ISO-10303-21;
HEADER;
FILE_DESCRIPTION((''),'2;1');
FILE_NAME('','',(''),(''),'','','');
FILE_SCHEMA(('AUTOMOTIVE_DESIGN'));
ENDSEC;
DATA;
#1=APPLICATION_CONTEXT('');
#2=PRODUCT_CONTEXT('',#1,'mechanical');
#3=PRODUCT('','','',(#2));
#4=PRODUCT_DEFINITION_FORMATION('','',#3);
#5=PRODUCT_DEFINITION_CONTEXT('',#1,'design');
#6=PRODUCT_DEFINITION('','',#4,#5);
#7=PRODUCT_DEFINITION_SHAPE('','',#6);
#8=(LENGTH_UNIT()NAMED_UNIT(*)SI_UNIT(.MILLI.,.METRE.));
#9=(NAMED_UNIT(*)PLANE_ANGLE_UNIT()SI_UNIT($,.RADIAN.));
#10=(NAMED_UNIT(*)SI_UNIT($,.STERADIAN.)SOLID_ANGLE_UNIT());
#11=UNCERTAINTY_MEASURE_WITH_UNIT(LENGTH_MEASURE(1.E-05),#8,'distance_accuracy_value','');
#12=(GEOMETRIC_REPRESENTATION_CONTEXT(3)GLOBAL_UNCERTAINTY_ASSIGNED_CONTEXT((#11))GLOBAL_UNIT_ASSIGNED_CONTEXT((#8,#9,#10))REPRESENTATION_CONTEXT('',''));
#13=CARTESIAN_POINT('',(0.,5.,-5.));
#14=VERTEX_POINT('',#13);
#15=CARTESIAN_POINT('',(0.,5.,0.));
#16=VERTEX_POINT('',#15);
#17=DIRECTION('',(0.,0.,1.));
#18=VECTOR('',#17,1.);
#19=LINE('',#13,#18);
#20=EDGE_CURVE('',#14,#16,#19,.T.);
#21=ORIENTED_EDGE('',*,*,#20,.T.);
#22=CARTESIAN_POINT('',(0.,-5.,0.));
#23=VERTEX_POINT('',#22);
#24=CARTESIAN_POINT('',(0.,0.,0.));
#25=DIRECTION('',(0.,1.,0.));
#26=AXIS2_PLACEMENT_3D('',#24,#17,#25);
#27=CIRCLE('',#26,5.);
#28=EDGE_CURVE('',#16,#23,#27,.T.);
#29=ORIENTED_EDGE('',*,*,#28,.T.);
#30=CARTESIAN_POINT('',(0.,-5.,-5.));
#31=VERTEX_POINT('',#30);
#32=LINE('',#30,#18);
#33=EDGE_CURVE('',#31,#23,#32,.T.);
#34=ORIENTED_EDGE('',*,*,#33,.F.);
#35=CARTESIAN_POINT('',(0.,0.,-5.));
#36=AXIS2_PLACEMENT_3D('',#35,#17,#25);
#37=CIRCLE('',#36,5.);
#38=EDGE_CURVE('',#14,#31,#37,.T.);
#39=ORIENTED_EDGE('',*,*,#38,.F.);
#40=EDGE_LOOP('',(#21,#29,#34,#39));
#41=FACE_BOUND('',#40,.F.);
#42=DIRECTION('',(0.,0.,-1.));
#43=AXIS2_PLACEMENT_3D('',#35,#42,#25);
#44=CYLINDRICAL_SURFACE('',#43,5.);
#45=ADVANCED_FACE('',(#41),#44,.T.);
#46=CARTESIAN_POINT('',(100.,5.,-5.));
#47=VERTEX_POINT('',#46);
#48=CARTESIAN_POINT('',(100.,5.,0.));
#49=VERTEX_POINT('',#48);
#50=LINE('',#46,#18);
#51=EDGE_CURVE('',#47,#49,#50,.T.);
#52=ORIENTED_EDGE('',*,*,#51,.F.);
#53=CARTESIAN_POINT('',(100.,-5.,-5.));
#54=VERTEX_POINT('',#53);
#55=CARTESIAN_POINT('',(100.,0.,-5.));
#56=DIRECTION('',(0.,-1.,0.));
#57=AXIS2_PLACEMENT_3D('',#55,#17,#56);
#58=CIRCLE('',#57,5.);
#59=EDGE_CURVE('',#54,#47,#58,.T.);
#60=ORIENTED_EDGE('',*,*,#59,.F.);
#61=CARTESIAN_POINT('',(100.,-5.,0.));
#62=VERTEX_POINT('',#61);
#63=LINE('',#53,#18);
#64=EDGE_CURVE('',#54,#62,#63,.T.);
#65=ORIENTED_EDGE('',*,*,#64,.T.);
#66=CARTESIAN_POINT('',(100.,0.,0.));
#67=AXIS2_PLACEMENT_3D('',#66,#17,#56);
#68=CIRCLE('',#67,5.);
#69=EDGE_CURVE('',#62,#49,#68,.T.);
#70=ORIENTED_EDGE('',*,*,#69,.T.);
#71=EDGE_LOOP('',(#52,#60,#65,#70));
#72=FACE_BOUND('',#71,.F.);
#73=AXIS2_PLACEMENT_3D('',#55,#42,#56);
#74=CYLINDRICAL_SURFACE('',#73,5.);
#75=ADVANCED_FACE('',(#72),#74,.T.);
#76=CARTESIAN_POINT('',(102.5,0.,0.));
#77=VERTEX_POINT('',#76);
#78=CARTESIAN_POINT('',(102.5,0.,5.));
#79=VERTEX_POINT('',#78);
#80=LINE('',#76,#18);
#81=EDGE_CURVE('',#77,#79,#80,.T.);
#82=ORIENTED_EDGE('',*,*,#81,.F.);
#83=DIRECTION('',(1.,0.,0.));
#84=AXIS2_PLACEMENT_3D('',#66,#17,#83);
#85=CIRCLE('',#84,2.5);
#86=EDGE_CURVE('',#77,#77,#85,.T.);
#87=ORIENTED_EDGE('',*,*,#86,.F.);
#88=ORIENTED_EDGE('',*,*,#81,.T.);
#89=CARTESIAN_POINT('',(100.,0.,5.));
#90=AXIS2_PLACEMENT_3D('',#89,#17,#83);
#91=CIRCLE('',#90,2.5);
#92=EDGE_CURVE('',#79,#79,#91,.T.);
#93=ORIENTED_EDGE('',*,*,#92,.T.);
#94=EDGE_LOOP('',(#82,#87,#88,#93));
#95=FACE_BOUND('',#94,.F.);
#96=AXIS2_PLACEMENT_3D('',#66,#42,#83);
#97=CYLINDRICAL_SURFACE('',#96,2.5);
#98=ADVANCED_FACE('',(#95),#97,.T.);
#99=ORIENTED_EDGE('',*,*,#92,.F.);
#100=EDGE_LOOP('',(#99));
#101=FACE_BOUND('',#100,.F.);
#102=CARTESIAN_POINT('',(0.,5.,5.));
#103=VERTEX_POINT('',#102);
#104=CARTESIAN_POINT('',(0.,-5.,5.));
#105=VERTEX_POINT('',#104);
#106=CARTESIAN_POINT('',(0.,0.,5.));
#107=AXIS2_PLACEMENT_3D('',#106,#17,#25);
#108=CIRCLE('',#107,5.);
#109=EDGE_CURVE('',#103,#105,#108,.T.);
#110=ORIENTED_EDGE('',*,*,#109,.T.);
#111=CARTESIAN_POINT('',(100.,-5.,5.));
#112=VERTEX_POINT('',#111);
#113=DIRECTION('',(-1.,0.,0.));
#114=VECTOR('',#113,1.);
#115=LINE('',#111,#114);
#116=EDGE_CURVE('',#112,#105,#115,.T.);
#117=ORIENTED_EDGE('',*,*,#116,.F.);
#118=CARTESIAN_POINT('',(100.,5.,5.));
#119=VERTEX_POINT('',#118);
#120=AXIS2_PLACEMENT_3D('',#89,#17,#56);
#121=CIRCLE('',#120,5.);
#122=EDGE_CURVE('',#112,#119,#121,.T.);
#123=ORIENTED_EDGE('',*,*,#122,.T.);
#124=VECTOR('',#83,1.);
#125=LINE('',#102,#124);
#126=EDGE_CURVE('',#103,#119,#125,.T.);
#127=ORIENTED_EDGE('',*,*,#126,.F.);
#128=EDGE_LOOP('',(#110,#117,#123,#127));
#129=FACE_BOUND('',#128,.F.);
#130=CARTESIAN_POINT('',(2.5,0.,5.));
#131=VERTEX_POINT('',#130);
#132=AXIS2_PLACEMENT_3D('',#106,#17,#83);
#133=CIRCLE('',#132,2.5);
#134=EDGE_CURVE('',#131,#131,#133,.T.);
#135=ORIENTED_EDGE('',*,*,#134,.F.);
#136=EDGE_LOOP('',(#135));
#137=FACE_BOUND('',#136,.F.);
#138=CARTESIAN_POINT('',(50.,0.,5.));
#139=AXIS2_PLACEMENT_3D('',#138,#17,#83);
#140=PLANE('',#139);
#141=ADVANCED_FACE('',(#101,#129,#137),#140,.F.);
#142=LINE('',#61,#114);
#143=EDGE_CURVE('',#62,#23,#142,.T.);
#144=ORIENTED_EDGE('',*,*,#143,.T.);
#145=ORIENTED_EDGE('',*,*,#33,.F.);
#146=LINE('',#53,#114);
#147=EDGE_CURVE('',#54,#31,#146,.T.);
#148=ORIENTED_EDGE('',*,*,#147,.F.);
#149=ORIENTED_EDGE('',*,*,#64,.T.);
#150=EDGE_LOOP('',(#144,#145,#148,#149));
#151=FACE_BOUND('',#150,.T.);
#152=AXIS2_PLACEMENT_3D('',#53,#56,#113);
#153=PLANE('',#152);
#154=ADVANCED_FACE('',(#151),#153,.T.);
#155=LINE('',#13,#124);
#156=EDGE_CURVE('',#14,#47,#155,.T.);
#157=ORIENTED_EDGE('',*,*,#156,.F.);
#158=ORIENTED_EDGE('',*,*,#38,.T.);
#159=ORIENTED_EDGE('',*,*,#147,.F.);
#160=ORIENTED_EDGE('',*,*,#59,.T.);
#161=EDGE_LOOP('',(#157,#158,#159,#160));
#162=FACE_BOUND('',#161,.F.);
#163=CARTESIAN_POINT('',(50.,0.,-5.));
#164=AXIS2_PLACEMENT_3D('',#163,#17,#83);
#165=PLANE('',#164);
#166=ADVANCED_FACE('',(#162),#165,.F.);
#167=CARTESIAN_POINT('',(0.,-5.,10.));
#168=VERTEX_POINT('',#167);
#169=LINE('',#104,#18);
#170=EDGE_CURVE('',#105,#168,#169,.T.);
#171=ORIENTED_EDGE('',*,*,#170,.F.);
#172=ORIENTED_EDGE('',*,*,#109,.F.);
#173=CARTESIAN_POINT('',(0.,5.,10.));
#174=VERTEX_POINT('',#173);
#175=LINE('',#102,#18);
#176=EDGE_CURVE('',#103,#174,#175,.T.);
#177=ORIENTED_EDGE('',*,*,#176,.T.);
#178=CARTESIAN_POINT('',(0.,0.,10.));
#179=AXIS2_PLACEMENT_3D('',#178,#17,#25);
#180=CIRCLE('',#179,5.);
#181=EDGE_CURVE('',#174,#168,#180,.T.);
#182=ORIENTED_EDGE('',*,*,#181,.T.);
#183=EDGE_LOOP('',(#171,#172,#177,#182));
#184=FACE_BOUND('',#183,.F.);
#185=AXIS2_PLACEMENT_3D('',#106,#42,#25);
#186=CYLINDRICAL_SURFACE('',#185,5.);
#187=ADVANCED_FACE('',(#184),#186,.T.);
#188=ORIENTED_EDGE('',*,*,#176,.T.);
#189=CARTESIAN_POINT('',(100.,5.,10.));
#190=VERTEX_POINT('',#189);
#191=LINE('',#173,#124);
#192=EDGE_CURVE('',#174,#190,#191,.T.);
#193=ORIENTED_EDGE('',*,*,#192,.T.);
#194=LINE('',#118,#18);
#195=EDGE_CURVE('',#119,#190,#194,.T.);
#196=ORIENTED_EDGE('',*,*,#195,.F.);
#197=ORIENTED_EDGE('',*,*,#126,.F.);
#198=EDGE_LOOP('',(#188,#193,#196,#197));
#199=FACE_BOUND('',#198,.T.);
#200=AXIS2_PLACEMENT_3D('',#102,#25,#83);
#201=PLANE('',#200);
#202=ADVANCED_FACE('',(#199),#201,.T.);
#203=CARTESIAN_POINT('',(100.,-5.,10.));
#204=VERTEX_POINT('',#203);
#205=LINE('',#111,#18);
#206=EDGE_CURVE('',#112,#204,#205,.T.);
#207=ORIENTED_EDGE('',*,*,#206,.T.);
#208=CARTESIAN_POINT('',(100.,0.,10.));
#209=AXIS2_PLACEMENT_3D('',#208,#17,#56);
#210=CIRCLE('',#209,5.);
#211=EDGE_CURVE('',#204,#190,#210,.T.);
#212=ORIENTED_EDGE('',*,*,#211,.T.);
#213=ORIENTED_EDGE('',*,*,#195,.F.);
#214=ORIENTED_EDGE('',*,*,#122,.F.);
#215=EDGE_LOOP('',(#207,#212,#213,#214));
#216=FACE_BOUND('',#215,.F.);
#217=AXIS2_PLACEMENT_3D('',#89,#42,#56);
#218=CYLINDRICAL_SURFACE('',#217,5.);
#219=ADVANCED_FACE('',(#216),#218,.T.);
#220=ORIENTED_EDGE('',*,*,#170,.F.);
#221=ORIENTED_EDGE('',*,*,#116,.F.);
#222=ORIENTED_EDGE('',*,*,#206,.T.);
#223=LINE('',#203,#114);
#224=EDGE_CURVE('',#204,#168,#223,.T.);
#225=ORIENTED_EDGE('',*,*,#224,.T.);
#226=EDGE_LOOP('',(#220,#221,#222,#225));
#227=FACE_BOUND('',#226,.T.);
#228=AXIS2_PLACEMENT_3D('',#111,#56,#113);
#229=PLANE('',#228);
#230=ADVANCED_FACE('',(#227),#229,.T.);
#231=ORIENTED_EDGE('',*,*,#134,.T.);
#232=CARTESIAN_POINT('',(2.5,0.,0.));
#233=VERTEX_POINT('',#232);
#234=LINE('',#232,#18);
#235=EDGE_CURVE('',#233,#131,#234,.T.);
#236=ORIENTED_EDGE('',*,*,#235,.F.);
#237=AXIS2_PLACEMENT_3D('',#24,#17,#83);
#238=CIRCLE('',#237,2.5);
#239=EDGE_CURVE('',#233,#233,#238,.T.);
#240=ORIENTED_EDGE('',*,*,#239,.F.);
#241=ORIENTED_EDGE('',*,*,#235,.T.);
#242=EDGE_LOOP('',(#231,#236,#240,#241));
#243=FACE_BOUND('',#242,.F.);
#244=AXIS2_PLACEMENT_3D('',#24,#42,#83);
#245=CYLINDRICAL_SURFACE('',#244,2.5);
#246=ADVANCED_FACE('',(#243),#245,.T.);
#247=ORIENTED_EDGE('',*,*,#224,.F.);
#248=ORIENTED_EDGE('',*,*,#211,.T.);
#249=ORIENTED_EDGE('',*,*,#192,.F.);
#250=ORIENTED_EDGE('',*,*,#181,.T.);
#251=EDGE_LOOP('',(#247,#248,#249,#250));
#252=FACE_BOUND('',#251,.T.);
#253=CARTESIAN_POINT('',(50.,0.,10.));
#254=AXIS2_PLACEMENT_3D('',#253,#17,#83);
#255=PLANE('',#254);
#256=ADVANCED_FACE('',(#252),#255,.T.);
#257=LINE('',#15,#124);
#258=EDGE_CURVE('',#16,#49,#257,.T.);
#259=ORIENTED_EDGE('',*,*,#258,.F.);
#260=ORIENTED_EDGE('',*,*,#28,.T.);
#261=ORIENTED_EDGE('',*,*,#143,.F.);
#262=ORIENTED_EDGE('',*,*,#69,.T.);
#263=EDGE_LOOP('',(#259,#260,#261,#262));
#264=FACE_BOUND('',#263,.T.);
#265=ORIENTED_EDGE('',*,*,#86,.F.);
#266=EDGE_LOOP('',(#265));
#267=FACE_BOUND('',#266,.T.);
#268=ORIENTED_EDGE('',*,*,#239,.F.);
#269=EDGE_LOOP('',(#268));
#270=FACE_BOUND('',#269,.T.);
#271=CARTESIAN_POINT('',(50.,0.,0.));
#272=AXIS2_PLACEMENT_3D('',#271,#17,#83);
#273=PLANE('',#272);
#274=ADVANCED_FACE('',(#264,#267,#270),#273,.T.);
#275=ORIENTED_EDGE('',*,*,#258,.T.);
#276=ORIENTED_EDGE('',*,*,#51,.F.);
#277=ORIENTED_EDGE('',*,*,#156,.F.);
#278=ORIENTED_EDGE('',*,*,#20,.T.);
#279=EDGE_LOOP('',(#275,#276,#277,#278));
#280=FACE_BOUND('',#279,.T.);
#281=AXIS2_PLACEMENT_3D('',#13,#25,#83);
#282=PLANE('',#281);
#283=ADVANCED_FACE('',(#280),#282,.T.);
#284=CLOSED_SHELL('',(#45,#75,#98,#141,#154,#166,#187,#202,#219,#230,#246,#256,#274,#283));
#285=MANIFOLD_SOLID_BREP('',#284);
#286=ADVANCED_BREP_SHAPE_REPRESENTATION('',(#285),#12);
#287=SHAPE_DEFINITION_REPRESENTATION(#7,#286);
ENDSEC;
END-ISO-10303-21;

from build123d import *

# Parameters (mm, degrees)
EXTRUDE001_DEPTH = 5
ARRAY_Z_COUNT    = 2
ARRAY_Z_PITCH    = 10
SKETCH002_R      = 2.5
EXTRUDE002_DEPTH = 5


with BuildPart() as array:
    # Sketch001 → Extrude001 (new body)
    with BuildSketch(Plane.XY.offset(-5)):
        with BuildLine():
            ThreePointArc((100, -5), (105, 0), (100, 5))
            Line((0, 5), (100, 5))
            ThreePointArc((0, 5), (-5, 0), (0, -5))
            Line((100, -5), (0, -5))
        make_face()
    extrude(amount=EXTRUDE001_DEPTH)

    # Array Z: Array ×2


with BuildPart() as array_1:
    add(array.part)
    with Locations(*[(0, 0, i * ARRAY_Z_PITCH) for i in range(1, ARRAY_Z_COUNT)]):
        add(array.part)


with BuildPart() as fusion:
    # Sketch002 (on Face6 of Array) → Extrude002 (new body)
    with BuildSketch(Plane.XY):
        Circle(SKETCH002_R)
        with Locations((100, 0)):
            Circle(SKETCH002_R)
    extrude(amount=EXTRUDE002_DEPTH)

    # Fusion: union Array
    add(array_1.part)


solid = fusion.part
